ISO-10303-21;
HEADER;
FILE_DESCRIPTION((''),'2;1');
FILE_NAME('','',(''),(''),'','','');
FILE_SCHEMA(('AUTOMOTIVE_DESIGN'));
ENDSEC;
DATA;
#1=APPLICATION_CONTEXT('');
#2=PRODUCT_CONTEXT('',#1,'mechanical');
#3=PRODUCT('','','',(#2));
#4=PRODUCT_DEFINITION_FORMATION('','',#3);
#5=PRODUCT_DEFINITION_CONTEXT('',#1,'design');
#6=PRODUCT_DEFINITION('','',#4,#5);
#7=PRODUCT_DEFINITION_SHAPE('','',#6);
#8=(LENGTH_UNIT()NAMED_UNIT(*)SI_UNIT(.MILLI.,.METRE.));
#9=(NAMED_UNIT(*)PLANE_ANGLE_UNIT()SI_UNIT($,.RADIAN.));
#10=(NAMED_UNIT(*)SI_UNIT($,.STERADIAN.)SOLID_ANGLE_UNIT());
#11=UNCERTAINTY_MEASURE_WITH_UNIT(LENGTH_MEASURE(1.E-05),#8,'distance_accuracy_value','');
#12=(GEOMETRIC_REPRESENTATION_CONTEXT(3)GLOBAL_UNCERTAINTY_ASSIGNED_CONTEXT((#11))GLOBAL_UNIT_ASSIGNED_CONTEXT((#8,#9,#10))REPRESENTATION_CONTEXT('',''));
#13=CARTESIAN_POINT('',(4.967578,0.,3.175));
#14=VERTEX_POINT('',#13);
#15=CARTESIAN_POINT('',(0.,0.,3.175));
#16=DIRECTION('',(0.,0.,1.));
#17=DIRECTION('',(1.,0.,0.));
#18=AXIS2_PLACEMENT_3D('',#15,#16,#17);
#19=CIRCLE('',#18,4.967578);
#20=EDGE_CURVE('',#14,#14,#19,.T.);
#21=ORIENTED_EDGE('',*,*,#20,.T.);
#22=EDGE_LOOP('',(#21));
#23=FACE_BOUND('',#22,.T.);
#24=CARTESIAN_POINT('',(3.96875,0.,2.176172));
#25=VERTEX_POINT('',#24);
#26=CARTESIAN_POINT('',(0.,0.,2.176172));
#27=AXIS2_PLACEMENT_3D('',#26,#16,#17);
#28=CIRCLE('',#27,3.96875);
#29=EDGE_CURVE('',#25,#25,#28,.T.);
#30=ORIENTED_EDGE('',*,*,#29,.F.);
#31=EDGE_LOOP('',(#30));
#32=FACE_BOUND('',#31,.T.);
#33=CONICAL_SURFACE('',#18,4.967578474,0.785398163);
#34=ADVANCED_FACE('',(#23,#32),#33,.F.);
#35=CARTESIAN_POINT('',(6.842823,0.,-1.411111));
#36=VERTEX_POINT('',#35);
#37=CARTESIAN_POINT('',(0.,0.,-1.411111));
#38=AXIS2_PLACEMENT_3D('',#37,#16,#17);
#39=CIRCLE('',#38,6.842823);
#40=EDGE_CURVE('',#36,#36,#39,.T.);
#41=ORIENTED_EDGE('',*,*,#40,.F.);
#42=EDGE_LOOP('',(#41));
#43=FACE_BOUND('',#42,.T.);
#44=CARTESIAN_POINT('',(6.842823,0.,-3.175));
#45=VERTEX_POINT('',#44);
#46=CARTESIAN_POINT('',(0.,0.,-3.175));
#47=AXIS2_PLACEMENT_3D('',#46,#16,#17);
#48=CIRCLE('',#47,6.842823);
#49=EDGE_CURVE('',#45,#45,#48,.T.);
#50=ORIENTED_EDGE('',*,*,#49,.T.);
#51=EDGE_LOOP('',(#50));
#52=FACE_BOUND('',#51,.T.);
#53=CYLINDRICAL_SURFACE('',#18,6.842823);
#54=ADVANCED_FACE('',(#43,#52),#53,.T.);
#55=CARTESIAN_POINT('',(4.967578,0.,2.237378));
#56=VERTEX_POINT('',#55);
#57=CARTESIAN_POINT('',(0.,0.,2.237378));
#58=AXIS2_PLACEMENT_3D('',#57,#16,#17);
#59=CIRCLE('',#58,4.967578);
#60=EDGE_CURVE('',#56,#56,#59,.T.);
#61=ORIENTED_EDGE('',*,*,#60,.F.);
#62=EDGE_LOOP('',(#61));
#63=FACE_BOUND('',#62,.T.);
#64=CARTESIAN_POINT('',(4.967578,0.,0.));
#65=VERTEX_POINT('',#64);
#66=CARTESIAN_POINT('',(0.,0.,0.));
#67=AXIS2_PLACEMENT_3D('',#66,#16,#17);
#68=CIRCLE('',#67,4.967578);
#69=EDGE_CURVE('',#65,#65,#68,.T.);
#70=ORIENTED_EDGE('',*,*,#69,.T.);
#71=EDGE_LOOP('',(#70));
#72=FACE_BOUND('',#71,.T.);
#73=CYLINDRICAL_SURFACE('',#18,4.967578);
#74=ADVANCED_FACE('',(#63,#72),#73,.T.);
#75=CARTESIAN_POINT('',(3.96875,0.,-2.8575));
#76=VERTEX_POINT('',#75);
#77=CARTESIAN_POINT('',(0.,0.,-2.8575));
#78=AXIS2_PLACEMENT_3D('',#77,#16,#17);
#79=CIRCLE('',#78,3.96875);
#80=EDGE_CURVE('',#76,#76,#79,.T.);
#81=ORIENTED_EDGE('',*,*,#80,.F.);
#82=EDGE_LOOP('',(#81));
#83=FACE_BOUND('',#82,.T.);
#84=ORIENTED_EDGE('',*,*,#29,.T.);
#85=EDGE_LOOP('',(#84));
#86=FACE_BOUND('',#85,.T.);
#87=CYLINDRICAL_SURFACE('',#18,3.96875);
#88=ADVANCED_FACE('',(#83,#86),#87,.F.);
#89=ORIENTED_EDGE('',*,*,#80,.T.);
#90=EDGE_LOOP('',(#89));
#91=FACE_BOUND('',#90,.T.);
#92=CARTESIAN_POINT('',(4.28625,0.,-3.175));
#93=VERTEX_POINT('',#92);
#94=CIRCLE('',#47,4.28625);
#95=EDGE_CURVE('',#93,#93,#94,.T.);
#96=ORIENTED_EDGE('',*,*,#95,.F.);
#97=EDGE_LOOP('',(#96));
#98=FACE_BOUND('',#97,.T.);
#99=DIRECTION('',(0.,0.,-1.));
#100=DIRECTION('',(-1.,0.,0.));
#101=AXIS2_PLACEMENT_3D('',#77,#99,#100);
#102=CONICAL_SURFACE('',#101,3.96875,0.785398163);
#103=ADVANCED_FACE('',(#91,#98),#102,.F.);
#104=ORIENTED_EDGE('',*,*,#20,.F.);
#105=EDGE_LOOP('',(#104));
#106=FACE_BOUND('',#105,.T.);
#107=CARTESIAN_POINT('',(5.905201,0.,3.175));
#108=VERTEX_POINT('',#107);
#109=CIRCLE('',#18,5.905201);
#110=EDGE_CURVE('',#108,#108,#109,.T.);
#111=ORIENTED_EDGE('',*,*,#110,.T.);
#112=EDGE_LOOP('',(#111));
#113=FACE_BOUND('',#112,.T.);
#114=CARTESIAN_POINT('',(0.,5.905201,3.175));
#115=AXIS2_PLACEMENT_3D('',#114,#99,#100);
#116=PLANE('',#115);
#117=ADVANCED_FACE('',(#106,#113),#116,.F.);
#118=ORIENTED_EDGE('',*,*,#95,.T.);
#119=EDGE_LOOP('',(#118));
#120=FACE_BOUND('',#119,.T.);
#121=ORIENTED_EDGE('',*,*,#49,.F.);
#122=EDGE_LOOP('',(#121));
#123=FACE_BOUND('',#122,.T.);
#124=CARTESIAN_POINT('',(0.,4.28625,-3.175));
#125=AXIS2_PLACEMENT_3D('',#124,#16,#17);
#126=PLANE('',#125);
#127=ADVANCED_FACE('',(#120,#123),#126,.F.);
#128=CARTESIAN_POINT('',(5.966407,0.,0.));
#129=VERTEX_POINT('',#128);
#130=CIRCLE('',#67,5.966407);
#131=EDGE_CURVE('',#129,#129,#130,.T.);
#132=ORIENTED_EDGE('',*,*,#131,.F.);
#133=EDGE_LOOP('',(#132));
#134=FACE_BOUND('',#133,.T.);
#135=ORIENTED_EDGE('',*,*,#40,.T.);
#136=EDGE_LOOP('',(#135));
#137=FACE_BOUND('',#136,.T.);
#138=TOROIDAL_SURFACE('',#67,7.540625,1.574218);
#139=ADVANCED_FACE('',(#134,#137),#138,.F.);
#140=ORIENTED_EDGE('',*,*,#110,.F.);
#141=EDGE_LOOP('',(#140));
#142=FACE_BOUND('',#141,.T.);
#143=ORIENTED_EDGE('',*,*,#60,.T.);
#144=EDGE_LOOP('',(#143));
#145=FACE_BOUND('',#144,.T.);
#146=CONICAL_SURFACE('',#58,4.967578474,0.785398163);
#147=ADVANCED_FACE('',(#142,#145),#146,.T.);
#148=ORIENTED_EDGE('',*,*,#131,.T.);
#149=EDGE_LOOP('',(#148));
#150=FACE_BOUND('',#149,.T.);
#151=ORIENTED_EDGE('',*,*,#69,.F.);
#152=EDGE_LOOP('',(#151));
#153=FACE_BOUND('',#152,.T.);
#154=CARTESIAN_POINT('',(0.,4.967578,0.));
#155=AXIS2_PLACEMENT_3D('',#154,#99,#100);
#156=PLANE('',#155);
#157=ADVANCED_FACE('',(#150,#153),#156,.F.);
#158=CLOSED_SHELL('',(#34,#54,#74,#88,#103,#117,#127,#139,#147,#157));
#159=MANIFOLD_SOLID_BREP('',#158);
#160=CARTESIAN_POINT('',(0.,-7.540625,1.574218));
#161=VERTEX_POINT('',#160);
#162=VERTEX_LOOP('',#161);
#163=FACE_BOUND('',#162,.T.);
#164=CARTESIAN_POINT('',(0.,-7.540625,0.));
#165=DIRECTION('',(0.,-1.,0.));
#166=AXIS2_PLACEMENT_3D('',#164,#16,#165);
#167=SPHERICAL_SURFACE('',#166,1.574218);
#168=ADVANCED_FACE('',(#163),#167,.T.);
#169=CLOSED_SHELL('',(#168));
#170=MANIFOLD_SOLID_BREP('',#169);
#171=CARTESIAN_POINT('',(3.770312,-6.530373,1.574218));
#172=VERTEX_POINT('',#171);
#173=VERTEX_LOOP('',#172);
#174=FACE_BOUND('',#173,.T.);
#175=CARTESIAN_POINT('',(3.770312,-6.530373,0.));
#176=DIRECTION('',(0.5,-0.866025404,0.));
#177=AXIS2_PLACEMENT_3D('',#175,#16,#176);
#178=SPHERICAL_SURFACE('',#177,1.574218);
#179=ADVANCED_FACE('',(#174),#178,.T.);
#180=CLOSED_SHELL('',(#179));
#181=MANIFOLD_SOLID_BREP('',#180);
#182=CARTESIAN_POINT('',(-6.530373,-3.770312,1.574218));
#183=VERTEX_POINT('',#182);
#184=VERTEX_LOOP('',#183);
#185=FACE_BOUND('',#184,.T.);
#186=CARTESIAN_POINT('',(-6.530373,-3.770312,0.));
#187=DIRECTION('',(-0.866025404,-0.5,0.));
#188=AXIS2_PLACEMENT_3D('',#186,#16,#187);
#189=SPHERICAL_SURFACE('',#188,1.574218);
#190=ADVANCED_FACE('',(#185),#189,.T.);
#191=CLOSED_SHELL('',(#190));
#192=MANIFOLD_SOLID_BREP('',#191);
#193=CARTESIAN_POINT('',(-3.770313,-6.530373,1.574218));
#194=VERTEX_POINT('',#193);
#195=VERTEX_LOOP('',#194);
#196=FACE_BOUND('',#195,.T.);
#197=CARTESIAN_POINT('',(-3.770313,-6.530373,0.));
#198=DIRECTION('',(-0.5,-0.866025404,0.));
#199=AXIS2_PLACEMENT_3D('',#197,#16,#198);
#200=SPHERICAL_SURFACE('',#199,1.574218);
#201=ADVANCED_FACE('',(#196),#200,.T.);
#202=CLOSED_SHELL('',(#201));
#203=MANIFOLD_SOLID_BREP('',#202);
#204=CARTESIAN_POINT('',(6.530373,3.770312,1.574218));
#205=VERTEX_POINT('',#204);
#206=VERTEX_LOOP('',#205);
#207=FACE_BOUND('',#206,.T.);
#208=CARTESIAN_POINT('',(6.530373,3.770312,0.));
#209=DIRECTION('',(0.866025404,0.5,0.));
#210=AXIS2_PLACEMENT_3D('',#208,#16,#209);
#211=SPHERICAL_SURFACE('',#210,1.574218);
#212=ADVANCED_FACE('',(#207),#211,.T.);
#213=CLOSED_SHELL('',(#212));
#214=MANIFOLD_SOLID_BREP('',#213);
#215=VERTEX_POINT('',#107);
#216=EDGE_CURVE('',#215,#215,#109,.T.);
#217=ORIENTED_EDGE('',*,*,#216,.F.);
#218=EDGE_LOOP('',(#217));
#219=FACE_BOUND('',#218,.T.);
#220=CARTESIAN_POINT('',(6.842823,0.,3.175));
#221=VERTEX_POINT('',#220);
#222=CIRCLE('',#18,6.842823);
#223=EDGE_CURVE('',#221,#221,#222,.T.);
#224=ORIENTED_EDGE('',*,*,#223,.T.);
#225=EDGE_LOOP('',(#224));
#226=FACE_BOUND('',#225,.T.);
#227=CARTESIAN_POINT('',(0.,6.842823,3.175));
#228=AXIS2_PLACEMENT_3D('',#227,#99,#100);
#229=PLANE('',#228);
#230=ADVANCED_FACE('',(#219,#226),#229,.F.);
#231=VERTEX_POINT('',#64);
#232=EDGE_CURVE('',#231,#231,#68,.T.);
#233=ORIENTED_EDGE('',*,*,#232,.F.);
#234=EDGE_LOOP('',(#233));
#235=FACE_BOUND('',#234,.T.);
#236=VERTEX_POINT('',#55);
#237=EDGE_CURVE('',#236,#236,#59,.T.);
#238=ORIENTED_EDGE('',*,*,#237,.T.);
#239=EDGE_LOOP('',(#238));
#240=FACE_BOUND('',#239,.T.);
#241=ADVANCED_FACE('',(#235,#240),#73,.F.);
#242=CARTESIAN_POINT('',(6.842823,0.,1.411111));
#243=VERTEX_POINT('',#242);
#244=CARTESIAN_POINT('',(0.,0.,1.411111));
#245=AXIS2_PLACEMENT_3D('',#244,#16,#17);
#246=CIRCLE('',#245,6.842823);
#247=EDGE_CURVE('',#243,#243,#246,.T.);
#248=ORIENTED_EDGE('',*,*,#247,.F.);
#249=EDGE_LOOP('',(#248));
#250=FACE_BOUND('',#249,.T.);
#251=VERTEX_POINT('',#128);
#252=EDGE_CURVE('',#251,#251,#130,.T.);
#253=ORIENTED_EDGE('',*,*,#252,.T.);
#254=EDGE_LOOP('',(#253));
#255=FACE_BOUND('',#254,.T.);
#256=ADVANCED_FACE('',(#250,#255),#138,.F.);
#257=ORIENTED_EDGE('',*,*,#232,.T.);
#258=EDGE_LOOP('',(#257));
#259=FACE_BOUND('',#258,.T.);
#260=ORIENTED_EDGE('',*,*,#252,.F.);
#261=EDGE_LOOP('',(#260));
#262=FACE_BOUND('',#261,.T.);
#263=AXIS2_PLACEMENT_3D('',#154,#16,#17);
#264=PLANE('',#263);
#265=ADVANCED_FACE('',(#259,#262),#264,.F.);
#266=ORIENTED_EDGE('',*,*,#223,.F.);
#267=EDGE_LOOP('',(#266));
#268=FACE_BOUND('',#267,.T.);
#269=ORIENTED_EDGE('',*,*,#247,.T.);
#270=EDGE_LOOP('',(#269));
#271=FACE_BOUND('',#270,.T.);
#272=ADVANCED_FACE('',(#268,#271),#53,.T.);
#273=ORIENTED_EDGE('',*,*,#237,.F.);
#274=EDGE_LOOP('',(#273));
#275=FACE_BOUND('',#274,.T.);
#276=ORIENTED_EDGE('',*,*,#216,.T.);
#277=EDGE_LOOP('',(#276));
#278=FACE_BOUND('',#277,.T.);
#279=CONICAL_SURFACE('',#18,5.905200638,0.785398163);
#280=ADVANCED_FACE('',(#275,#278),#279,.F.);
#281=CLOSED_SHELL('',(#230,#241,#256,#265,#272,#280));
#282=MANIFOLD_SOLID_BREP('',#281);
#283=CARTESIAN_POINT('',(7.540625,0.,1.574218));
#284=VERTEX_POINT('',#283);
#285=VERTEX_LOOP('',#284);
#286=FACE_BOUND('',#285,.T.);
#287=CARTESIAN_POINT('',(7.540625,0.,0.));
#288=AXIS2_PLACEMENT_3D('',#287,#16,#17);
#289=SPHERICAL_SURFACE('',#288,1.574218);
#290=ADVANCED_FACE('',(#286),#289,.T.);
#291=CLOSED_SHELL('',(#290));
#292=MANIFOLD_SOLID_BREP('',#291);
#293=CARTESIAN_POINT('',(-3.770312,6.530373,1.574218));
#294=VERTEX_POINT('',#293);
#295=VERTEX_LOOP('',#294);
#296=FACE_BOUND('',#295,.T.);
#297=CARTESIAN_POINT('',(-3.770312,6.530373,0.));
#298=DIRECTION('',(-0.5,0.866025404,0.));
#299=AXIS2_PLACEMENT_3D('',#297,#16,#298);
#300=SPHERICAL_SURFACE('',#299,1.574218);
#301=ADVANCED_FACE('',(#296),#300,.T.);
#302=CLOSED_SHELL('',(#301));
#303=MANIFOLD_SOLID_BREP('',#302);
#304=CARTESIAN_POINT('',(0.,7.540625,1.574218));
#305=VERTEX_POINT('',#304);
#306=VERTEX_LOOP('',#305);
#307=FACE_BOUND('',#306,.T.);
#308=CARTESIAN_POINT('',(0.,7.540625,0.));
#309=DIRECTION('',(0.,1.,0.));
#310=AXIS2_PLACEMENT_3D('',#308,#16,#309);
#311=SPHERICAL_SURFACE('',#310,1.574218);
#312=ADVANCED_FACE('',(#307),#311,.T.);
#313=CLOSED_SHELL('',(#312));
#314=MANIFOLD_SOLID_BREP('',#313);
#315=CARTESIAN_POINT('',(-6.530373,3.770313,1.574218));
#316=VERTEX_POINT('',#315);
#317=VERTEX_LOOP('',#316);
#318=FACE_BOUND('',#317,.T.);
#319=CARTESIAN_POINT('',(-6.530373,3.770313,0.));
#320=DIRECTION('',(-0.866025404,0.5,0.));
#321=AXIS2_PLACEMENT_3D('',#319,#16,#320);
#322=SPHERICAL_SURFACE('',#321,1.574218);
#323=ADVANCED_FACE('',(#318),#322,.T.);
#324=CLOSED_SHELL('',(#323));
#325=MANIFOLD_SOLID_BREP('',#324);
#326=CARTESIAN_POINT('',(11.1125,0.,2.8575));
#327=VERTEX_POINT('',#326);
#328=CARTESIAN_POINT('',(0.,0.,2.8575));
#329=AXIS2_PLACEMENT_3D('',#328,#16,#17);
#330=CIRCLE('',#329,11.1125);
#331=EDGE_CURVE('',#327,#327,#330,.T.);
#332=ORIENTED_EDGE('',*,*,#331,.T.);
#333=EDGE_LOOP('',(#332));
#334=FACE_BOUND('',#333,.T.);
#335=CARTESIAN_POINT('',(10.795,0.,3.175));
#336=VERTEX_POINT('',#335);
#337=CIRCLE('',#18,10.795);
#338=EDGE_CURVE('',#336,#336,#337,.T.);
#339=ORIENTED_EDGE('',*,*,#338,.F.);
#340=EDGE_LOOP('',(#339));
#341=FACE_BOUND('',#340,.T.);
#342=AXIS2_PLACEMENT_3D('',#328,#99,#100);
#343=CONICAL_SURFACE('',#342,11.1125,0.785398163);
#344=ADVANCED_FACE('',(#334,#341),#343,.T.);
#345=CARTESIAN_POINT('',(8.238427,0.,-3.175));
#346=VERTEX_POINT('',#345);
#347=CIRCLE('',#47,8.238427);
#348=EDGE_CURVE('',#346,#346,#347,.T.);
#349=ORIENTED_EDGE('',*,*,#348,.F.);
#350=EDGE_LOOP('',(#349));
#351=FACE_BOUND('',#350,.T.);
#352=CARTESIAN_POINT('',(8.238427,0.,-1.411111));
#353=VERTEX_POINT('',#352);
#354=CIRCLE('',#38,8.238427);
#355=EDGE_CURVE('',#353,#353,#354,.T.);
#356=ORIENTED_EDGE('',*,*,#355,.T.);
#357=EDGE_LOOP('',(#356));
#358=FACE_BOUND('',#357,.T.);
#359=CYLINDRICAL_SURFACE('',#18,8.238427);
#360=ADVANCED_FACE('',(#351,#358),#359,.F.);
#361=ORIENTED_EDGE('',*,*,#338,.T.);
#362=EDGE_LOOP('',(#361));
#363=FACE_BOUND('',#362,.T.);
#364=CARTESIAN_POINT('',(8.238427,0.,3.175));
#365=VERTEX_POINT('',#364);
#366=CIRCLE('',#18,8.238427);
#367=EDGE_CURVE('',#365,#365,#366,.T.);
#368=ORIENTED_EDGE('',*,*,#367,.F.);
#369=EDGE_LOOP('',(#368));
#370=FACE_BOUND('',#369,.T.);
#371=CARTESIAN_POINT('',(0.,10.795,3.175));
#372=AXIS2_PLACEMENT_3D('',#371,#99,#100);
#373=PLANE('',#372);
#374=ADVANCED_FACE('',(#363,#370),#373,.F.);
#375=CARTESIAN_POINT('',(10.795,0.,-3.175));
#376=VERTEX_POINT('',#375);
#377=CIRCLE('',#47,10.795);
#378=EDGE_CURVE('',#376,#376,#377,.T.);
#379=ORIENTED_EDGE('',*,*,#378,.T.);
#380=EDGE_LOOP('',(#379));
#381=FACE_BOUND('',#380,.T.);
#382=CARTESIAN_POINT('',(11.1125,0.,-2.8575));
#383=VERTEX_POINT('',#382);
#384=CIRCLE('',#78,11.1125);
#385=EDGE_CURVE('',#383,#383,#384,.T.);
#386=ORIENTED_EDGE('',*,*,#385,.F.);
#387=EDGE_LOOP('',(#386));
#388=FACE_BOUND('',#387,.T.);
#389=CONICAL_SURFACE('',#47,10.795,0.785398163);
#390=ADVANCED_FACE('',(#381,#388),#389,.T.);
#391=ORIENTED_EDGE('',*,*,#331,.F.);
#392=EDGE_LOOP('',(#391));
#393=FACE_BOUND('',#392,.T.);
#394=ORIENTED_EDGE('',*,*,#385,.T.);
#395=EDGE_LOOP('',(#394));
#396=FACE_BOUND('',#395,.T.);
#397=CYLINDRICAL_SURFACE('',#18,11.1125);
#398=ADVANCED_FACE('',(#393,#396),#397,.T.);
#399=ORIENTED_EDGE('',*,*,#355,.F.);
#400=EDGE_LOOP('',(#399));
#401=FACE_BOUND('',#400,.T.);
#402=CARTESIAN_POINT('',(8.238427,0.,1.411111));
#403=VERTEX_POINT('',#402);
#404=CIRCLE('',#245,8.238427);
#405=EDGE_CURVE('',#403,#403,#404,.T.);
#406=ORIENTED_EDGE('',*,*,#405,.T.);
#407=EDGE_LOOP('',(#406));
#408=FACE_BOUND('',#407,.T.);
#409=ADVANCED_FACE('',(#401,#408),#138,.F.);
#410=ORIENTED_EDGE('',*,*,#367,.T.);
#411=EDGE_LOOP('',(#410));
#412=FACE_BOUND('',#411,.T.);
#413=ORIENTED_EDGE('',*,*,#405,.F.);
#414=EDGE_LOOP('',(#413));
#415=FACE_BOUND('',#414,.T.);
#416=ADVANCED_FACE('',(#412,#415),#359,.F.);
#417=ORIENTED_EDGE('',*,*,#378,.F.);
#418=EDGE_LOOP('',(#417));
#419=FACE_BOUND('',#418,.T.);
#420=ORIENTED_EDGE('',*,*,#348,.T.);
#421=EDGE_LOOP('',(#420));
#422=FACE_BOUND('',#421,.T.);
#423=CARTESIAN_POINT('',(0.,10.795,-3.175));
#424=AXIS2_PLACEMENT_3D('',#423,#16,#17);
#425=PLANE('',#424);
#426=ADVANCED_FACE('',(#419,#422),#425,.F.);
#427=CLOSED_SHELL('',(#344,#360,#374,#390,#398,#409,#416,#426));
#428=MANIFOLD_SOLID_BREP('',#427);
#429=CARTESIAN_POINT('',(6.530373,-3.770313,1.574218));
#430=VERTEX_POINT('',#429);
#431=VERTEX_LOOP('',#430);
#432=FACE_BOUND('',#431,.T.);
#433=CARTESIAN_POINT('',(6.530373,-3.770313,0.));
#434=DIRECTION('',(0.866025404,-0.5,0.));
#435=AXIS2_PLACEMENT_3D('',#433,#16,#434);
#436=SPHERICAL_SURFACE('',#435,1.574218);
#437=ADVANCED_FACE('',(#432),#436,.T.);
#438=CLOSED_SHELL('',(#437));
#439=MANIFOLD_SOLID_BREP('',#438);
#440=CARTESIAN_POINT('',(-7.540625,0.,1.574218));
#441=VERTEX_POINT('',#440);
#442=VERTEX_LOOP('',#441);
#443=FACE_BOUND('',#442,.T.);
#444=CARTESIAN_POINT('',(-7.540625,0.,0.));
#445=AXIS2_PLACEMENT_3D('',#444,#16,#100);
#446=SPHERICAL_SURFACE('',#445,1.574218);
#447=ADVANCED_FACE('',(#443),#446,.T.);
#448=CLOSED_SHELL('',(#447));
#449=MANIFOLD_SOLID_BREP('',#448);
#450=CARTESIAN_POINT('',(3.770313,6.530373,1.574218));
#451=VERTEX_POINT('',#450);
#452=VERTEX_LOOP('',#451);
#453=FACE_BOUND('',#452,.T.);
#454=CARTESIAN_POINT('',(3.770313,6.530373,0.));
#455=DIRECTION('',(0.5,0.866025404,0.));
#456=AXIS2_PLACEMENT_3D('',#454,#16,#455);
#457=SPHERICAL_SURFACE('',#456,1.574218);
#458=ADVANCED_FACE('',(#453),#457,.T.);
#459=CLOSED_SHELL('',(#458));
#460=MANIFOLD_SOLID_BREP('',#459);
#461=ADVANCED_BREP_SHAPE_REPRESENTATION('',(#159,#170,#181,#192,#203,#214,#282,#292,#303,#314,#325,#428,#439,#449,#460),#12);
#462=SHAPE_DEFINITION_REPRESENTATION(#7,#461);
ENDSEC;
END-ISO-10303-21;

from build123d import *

# Parameters (mm, degrees)
CIRPATTERN1_COUNT = 12


with BuildPart() as part:
    # Sketch1 → Revolve1 (revolve)
    with BuildSketch(Plane(origin=(0, 0, 0), x_dir=(0, 0, -1), z_dir=(1, 0, 0))):
        with BuildLine():
            Line((2.8575, 11.1125), (-2.8575, 11.1125))
            Line((-2.8575, 11.1125), (-3.175, 10.795))
            Line((-3.175, 10.795), (-3.175, 8.238427198))
            Line((-3.175, 8.238427198), (-1.411111111, 8.238427198))
            ThreePointArc((-1.411111111, 8.238427198), (0, 9.114843052), (1.411111111, 8.238427198))
            Line((1.411111111, 8.238427198), (3.175, 8.238427198))
            Line((3.175, 8.238427198), (3.175, 10.795))
            Line((3.175, 10.795), (2.8575, 11.1125))
        make_face()
    revolve(axis=Axis((0, 0, 3.175), (0, 0, -1)))


with BuildPart() as body_2:
    # Sketch2 → Revolve2 (revolve)
    with BuildSketch(Plane(origin=(0, 0, 0), x_dir=(0, 0, -1), z_dir=(1, 0, 0))):
        with BuildLine():
            Line((-3.175, 6.842822802), (-1.411111111, 6.842822802))
            ThreePointArc((-1.411111111, 6.842822802), (-0.830562959, 6.203341318), (0, 5.966406948))
            Line((0, 5.966406948), (0, 4.967578474))
            Line((0, 4.967578474), (-2.237377836, 4.967578474))
            Line((-2.237377836, 4.967578474), (-3.175, 5.905200638))
            Line((-3.175, 5.905200638), (-3.175, 6.842822802))
        make_face()
    revolve(axis=Axis((0, 0, 3.175), (0, 0, -1)))


with BuildPart() as body_3:
    # Sketch3 → Revolve3 (revolve)
    with BuildSketch(Plane(origin=(0, 0, 0), x_dir=(0, 0, -1), z_dir=(1, 0, 0))):
        with BuildLine():
            Line((-3.175, 5.905200638), (-2.237377836, 4.967578474))
            Line((-2.237377836, 4.967578474), (0, 4.967578474))
            Line((0, 4.967578474), (0, 5.966406948))
            ThreePointArc((0, 5.966406948), (0.830562959, 6.203341318), (1.411111111, 6.842822802))
            Line((1.411111111, 6.842822802), (3.175, 6.842822802))
            Line((3.175, 6.842822802), (3.175, 4.28625))
            Line((3.175, 4.28625), (2.8575, 3.96875))
            Line((2.8575, 3.96875), (-2.176171526, 3.96875))
            Line((-2.176171526, 3.96875), (-3.175, 4.967578474))
            Line((-3.175, 4.967578474), (-3.175, 5.905200638))
        make_face()
    revolve(axis=Axis((0, 0, 3.175), (0, 0, -1)))


with BuildPart() as body_4:
    # Sketch4 → Revolve4 (revolve)
    with BuildSketch(Plane(origin=(0, 0, 0), x_dir=(0, 0, -1), z_dir=(1, 0, 0))):
        with BuildLine():
            Line((-1.574218052, 7.540625), (1.574218052, 7.540625))
            ThreePointArc((1.574218052, 7.540625), (0, 9.114843052), (-1.574218052, 7.540625))
        make_face()
    revolve(axis=Axis((0, 7.540625, 1.574218052), (0, 0, -1)))


with BuildPart() as cirpattern1_1:
    # CirPattern1: pattern copy
    add(body_4.part.rotate(Axis((0, 0, -3.175), (0, 0, 1)), 1 * 360 / CIRPATTERN1_COUNT))


with BuildPart() as cirpattern1_2:
    # CirPattern1: pattern copy
    add(body_4.part.rotate(Axis((0, 0, -3.175), (0, 0, 1)), 2 * 360 / CIRPATTERN1_COUNT))


with BuildPart() as cirpattern1_3:
    # CirPattern1: pattern copy
    add(body_4.part.rotate(Axis((0, 0, -3.175), (0, 0, 1)), 3 * 360 / CIRPATTERN1_COUNT))


with BuildPart() as cirpattern1_4:
    # CirPattern1: pattern copy
    add(body_4.part.rotate(Axis((0, 0, -3.175), (0, 0, 1)), 4 * 360 / CIRPATTERN1_COUNT))


with BuildPart() as cirpattern1_5:
    # CirPattern1: pattern copy
    add(body_4.part.rotate(Axis((0, 0, -3.175), (0, 0, 1)), 5 * 360 / CIRPATTERN1_COUNT))


with BuildPart() as cirpattern1_6:
    # CirPattern1: pattern copy
    add(body_4.part.rotate(Axis((0, 0, -3.175), (0, 0, 1)), 6 * 360 / CIRPATTERN1_COUNT))


with BuildPart() as cirpattern1_7:
    # CirPattern1: pattern copy
    add(body_4.part.rotate(Axis((0, 0, -3.175), (0, 0, 1)), 7 * 360 / CIRPATTERN1_COUNT))


with BuildPart() as cirpattern1_8:
    # CirPattern1: pattern copy
    add(body_4.part.rotate(Axis((0, 0, -3.175), (0, 0, 1)), 8 * 360 / CIRPATTERN1_COUNT))


with BuildPart() as cirpattern1_9:
    # CirPattern1: pattern copy
    add(body_4.part.rotate(Axis((0, 0, -3.175), (0, 0, 1)), 9 * 360 / CIRPATTERN1_COUNT))


with BuildPart() as cirpattern1_10:
    # CirPattern1: pattern copy
    add(body_4.part.rotate(Axis((0, 0, -3.175), (0, 0, 1)), 10 * 360 / CIRPATTERN1_COUNT))


with BuildPart() as cirpattern1_11:
    # CirPattern1: pattern copy
    add(body_4.part.rotate(Axis((0, 0, -3.175), (0, 0, 1)), 11 * 360 / CIRPATTERN1_COUNT))


solid = Compound([part.part, body_2.part, body_3.part, body_4.part, cirpattern1_1.part, cirpattern1_2.part, cirpattern1_3.part, cirpattern1_4.part, cirpattern1_5.part, cirpattern1_6.part, cirpattern1_7.part, cirpattern1_8.part, cirpattern1_9.part, cirpattern1_10.part, cirpattern1_11.part])
